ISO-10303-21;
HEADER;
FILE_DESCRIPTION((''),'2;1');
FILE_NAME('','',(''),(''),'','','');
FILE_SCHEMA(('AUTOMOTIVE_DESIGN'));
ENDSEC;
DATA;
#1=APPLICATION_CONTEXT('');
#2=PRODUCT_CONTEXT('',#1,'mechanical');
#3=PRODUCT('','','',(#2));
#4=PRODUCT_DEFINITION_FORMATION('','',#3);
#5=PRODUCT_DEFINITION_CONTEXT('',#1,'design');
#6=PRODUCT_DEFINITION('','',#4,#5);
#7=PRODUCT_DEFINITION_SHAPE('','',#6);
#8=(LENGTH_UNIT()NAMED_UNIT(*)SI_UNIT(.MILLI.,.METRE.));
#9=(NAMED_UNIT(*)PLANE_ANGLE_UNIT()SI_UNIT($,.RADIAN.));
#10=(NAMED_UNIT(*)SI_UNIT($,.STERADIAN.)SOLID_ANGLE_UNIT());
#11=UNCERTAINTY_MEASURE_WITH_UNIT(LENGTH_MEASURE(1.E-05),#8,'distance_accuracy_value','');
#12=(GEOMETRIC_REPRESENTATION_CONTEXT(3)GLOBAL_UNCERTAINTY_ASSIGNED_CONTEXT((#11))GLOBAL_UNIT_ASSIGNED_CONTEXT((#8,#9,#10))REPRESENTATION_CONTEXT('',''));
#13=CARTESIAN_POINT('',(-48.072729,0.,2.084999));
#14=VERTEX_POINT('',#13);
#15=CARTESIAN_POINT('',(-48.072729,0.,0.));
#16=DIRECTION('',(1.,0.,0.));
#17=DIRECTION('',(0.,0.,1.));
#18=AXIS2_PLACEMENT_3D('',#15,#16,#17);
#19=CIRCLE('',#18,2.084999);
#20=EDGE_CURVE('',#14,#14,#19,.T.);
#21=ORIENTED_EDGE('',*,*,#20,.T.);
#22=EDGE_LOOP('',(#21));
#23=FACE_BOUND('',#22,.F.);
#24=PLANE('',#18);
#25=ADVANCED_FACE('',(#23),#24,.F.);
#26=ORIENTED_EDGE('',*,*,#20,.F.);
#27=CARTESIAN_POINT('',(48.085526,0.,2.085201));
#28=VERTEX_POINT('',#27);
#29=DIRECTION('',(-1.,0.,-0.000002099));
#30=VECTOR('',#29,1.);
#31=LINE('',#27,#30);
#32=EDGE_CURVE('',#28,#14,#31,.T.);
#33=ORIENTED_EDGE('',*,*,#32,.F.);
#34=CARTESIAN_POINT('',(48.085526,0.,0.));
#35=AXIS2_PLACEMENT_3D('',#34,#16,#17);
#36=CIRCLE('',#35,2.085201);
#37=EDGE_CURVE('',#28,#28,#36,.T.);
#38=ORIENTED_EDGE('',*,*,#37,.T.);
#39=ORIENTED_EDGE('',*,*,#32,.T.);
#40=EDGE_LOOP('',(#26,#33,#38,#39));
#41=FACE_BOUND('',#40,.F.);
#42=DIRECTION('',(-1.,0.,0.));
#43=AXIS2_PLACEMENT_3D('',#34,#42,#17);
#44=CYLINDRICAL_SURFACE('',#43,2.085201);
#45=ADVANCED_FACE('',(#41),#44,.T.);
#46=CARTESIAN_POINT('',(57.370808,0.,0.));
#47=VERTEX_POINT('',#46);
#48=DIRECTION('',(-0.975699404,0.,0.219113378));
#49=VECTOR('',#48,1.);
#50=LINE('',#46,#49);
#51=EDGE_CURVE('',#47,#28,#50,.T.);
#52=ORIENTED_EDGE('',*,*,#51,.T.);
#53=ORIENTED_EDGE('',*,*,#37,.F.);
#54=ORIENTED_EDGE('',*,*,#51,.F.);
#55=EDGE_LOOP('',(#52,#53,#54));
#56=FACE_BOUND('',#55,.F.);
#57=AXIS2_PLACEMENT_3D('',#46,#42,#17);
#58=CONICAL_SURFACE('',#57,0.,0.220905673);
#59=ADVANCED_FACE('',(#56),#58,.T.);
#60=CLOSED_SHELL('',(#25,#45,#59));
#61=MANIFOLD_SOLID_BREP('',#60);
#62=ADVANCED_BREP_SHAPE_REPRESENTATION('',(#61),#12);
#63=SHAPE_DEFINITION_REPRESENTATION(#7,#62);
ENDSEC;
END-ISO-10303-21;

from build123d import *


with BuildPart() as f1:
    # F0 (on Front) → F1 (revolve)
    with BuildSketch(Plane.XZ):
        Polygon((-48.0727292597, 0), (0, 0), (48.0857345801, 0), (48.0855256319, 2.0852012094), (-48.0727292597, 2.0849993452), align=None)
    revolve(axis=Axis((4.6490393579, 0, 0), (1, 0, 0)))

    # F0 (on Front) → F2 (revolve)
    with BuildSketch(Plane.XZ):
        Polygon((48.0855256319, 2.0852012094), (48.0857345801, 0), (57.3708079755, 0), align=None)
    revolve(axis=Axis((4.6490393579, 0, 0), (1, 0, 0)))


solid = f1.part
